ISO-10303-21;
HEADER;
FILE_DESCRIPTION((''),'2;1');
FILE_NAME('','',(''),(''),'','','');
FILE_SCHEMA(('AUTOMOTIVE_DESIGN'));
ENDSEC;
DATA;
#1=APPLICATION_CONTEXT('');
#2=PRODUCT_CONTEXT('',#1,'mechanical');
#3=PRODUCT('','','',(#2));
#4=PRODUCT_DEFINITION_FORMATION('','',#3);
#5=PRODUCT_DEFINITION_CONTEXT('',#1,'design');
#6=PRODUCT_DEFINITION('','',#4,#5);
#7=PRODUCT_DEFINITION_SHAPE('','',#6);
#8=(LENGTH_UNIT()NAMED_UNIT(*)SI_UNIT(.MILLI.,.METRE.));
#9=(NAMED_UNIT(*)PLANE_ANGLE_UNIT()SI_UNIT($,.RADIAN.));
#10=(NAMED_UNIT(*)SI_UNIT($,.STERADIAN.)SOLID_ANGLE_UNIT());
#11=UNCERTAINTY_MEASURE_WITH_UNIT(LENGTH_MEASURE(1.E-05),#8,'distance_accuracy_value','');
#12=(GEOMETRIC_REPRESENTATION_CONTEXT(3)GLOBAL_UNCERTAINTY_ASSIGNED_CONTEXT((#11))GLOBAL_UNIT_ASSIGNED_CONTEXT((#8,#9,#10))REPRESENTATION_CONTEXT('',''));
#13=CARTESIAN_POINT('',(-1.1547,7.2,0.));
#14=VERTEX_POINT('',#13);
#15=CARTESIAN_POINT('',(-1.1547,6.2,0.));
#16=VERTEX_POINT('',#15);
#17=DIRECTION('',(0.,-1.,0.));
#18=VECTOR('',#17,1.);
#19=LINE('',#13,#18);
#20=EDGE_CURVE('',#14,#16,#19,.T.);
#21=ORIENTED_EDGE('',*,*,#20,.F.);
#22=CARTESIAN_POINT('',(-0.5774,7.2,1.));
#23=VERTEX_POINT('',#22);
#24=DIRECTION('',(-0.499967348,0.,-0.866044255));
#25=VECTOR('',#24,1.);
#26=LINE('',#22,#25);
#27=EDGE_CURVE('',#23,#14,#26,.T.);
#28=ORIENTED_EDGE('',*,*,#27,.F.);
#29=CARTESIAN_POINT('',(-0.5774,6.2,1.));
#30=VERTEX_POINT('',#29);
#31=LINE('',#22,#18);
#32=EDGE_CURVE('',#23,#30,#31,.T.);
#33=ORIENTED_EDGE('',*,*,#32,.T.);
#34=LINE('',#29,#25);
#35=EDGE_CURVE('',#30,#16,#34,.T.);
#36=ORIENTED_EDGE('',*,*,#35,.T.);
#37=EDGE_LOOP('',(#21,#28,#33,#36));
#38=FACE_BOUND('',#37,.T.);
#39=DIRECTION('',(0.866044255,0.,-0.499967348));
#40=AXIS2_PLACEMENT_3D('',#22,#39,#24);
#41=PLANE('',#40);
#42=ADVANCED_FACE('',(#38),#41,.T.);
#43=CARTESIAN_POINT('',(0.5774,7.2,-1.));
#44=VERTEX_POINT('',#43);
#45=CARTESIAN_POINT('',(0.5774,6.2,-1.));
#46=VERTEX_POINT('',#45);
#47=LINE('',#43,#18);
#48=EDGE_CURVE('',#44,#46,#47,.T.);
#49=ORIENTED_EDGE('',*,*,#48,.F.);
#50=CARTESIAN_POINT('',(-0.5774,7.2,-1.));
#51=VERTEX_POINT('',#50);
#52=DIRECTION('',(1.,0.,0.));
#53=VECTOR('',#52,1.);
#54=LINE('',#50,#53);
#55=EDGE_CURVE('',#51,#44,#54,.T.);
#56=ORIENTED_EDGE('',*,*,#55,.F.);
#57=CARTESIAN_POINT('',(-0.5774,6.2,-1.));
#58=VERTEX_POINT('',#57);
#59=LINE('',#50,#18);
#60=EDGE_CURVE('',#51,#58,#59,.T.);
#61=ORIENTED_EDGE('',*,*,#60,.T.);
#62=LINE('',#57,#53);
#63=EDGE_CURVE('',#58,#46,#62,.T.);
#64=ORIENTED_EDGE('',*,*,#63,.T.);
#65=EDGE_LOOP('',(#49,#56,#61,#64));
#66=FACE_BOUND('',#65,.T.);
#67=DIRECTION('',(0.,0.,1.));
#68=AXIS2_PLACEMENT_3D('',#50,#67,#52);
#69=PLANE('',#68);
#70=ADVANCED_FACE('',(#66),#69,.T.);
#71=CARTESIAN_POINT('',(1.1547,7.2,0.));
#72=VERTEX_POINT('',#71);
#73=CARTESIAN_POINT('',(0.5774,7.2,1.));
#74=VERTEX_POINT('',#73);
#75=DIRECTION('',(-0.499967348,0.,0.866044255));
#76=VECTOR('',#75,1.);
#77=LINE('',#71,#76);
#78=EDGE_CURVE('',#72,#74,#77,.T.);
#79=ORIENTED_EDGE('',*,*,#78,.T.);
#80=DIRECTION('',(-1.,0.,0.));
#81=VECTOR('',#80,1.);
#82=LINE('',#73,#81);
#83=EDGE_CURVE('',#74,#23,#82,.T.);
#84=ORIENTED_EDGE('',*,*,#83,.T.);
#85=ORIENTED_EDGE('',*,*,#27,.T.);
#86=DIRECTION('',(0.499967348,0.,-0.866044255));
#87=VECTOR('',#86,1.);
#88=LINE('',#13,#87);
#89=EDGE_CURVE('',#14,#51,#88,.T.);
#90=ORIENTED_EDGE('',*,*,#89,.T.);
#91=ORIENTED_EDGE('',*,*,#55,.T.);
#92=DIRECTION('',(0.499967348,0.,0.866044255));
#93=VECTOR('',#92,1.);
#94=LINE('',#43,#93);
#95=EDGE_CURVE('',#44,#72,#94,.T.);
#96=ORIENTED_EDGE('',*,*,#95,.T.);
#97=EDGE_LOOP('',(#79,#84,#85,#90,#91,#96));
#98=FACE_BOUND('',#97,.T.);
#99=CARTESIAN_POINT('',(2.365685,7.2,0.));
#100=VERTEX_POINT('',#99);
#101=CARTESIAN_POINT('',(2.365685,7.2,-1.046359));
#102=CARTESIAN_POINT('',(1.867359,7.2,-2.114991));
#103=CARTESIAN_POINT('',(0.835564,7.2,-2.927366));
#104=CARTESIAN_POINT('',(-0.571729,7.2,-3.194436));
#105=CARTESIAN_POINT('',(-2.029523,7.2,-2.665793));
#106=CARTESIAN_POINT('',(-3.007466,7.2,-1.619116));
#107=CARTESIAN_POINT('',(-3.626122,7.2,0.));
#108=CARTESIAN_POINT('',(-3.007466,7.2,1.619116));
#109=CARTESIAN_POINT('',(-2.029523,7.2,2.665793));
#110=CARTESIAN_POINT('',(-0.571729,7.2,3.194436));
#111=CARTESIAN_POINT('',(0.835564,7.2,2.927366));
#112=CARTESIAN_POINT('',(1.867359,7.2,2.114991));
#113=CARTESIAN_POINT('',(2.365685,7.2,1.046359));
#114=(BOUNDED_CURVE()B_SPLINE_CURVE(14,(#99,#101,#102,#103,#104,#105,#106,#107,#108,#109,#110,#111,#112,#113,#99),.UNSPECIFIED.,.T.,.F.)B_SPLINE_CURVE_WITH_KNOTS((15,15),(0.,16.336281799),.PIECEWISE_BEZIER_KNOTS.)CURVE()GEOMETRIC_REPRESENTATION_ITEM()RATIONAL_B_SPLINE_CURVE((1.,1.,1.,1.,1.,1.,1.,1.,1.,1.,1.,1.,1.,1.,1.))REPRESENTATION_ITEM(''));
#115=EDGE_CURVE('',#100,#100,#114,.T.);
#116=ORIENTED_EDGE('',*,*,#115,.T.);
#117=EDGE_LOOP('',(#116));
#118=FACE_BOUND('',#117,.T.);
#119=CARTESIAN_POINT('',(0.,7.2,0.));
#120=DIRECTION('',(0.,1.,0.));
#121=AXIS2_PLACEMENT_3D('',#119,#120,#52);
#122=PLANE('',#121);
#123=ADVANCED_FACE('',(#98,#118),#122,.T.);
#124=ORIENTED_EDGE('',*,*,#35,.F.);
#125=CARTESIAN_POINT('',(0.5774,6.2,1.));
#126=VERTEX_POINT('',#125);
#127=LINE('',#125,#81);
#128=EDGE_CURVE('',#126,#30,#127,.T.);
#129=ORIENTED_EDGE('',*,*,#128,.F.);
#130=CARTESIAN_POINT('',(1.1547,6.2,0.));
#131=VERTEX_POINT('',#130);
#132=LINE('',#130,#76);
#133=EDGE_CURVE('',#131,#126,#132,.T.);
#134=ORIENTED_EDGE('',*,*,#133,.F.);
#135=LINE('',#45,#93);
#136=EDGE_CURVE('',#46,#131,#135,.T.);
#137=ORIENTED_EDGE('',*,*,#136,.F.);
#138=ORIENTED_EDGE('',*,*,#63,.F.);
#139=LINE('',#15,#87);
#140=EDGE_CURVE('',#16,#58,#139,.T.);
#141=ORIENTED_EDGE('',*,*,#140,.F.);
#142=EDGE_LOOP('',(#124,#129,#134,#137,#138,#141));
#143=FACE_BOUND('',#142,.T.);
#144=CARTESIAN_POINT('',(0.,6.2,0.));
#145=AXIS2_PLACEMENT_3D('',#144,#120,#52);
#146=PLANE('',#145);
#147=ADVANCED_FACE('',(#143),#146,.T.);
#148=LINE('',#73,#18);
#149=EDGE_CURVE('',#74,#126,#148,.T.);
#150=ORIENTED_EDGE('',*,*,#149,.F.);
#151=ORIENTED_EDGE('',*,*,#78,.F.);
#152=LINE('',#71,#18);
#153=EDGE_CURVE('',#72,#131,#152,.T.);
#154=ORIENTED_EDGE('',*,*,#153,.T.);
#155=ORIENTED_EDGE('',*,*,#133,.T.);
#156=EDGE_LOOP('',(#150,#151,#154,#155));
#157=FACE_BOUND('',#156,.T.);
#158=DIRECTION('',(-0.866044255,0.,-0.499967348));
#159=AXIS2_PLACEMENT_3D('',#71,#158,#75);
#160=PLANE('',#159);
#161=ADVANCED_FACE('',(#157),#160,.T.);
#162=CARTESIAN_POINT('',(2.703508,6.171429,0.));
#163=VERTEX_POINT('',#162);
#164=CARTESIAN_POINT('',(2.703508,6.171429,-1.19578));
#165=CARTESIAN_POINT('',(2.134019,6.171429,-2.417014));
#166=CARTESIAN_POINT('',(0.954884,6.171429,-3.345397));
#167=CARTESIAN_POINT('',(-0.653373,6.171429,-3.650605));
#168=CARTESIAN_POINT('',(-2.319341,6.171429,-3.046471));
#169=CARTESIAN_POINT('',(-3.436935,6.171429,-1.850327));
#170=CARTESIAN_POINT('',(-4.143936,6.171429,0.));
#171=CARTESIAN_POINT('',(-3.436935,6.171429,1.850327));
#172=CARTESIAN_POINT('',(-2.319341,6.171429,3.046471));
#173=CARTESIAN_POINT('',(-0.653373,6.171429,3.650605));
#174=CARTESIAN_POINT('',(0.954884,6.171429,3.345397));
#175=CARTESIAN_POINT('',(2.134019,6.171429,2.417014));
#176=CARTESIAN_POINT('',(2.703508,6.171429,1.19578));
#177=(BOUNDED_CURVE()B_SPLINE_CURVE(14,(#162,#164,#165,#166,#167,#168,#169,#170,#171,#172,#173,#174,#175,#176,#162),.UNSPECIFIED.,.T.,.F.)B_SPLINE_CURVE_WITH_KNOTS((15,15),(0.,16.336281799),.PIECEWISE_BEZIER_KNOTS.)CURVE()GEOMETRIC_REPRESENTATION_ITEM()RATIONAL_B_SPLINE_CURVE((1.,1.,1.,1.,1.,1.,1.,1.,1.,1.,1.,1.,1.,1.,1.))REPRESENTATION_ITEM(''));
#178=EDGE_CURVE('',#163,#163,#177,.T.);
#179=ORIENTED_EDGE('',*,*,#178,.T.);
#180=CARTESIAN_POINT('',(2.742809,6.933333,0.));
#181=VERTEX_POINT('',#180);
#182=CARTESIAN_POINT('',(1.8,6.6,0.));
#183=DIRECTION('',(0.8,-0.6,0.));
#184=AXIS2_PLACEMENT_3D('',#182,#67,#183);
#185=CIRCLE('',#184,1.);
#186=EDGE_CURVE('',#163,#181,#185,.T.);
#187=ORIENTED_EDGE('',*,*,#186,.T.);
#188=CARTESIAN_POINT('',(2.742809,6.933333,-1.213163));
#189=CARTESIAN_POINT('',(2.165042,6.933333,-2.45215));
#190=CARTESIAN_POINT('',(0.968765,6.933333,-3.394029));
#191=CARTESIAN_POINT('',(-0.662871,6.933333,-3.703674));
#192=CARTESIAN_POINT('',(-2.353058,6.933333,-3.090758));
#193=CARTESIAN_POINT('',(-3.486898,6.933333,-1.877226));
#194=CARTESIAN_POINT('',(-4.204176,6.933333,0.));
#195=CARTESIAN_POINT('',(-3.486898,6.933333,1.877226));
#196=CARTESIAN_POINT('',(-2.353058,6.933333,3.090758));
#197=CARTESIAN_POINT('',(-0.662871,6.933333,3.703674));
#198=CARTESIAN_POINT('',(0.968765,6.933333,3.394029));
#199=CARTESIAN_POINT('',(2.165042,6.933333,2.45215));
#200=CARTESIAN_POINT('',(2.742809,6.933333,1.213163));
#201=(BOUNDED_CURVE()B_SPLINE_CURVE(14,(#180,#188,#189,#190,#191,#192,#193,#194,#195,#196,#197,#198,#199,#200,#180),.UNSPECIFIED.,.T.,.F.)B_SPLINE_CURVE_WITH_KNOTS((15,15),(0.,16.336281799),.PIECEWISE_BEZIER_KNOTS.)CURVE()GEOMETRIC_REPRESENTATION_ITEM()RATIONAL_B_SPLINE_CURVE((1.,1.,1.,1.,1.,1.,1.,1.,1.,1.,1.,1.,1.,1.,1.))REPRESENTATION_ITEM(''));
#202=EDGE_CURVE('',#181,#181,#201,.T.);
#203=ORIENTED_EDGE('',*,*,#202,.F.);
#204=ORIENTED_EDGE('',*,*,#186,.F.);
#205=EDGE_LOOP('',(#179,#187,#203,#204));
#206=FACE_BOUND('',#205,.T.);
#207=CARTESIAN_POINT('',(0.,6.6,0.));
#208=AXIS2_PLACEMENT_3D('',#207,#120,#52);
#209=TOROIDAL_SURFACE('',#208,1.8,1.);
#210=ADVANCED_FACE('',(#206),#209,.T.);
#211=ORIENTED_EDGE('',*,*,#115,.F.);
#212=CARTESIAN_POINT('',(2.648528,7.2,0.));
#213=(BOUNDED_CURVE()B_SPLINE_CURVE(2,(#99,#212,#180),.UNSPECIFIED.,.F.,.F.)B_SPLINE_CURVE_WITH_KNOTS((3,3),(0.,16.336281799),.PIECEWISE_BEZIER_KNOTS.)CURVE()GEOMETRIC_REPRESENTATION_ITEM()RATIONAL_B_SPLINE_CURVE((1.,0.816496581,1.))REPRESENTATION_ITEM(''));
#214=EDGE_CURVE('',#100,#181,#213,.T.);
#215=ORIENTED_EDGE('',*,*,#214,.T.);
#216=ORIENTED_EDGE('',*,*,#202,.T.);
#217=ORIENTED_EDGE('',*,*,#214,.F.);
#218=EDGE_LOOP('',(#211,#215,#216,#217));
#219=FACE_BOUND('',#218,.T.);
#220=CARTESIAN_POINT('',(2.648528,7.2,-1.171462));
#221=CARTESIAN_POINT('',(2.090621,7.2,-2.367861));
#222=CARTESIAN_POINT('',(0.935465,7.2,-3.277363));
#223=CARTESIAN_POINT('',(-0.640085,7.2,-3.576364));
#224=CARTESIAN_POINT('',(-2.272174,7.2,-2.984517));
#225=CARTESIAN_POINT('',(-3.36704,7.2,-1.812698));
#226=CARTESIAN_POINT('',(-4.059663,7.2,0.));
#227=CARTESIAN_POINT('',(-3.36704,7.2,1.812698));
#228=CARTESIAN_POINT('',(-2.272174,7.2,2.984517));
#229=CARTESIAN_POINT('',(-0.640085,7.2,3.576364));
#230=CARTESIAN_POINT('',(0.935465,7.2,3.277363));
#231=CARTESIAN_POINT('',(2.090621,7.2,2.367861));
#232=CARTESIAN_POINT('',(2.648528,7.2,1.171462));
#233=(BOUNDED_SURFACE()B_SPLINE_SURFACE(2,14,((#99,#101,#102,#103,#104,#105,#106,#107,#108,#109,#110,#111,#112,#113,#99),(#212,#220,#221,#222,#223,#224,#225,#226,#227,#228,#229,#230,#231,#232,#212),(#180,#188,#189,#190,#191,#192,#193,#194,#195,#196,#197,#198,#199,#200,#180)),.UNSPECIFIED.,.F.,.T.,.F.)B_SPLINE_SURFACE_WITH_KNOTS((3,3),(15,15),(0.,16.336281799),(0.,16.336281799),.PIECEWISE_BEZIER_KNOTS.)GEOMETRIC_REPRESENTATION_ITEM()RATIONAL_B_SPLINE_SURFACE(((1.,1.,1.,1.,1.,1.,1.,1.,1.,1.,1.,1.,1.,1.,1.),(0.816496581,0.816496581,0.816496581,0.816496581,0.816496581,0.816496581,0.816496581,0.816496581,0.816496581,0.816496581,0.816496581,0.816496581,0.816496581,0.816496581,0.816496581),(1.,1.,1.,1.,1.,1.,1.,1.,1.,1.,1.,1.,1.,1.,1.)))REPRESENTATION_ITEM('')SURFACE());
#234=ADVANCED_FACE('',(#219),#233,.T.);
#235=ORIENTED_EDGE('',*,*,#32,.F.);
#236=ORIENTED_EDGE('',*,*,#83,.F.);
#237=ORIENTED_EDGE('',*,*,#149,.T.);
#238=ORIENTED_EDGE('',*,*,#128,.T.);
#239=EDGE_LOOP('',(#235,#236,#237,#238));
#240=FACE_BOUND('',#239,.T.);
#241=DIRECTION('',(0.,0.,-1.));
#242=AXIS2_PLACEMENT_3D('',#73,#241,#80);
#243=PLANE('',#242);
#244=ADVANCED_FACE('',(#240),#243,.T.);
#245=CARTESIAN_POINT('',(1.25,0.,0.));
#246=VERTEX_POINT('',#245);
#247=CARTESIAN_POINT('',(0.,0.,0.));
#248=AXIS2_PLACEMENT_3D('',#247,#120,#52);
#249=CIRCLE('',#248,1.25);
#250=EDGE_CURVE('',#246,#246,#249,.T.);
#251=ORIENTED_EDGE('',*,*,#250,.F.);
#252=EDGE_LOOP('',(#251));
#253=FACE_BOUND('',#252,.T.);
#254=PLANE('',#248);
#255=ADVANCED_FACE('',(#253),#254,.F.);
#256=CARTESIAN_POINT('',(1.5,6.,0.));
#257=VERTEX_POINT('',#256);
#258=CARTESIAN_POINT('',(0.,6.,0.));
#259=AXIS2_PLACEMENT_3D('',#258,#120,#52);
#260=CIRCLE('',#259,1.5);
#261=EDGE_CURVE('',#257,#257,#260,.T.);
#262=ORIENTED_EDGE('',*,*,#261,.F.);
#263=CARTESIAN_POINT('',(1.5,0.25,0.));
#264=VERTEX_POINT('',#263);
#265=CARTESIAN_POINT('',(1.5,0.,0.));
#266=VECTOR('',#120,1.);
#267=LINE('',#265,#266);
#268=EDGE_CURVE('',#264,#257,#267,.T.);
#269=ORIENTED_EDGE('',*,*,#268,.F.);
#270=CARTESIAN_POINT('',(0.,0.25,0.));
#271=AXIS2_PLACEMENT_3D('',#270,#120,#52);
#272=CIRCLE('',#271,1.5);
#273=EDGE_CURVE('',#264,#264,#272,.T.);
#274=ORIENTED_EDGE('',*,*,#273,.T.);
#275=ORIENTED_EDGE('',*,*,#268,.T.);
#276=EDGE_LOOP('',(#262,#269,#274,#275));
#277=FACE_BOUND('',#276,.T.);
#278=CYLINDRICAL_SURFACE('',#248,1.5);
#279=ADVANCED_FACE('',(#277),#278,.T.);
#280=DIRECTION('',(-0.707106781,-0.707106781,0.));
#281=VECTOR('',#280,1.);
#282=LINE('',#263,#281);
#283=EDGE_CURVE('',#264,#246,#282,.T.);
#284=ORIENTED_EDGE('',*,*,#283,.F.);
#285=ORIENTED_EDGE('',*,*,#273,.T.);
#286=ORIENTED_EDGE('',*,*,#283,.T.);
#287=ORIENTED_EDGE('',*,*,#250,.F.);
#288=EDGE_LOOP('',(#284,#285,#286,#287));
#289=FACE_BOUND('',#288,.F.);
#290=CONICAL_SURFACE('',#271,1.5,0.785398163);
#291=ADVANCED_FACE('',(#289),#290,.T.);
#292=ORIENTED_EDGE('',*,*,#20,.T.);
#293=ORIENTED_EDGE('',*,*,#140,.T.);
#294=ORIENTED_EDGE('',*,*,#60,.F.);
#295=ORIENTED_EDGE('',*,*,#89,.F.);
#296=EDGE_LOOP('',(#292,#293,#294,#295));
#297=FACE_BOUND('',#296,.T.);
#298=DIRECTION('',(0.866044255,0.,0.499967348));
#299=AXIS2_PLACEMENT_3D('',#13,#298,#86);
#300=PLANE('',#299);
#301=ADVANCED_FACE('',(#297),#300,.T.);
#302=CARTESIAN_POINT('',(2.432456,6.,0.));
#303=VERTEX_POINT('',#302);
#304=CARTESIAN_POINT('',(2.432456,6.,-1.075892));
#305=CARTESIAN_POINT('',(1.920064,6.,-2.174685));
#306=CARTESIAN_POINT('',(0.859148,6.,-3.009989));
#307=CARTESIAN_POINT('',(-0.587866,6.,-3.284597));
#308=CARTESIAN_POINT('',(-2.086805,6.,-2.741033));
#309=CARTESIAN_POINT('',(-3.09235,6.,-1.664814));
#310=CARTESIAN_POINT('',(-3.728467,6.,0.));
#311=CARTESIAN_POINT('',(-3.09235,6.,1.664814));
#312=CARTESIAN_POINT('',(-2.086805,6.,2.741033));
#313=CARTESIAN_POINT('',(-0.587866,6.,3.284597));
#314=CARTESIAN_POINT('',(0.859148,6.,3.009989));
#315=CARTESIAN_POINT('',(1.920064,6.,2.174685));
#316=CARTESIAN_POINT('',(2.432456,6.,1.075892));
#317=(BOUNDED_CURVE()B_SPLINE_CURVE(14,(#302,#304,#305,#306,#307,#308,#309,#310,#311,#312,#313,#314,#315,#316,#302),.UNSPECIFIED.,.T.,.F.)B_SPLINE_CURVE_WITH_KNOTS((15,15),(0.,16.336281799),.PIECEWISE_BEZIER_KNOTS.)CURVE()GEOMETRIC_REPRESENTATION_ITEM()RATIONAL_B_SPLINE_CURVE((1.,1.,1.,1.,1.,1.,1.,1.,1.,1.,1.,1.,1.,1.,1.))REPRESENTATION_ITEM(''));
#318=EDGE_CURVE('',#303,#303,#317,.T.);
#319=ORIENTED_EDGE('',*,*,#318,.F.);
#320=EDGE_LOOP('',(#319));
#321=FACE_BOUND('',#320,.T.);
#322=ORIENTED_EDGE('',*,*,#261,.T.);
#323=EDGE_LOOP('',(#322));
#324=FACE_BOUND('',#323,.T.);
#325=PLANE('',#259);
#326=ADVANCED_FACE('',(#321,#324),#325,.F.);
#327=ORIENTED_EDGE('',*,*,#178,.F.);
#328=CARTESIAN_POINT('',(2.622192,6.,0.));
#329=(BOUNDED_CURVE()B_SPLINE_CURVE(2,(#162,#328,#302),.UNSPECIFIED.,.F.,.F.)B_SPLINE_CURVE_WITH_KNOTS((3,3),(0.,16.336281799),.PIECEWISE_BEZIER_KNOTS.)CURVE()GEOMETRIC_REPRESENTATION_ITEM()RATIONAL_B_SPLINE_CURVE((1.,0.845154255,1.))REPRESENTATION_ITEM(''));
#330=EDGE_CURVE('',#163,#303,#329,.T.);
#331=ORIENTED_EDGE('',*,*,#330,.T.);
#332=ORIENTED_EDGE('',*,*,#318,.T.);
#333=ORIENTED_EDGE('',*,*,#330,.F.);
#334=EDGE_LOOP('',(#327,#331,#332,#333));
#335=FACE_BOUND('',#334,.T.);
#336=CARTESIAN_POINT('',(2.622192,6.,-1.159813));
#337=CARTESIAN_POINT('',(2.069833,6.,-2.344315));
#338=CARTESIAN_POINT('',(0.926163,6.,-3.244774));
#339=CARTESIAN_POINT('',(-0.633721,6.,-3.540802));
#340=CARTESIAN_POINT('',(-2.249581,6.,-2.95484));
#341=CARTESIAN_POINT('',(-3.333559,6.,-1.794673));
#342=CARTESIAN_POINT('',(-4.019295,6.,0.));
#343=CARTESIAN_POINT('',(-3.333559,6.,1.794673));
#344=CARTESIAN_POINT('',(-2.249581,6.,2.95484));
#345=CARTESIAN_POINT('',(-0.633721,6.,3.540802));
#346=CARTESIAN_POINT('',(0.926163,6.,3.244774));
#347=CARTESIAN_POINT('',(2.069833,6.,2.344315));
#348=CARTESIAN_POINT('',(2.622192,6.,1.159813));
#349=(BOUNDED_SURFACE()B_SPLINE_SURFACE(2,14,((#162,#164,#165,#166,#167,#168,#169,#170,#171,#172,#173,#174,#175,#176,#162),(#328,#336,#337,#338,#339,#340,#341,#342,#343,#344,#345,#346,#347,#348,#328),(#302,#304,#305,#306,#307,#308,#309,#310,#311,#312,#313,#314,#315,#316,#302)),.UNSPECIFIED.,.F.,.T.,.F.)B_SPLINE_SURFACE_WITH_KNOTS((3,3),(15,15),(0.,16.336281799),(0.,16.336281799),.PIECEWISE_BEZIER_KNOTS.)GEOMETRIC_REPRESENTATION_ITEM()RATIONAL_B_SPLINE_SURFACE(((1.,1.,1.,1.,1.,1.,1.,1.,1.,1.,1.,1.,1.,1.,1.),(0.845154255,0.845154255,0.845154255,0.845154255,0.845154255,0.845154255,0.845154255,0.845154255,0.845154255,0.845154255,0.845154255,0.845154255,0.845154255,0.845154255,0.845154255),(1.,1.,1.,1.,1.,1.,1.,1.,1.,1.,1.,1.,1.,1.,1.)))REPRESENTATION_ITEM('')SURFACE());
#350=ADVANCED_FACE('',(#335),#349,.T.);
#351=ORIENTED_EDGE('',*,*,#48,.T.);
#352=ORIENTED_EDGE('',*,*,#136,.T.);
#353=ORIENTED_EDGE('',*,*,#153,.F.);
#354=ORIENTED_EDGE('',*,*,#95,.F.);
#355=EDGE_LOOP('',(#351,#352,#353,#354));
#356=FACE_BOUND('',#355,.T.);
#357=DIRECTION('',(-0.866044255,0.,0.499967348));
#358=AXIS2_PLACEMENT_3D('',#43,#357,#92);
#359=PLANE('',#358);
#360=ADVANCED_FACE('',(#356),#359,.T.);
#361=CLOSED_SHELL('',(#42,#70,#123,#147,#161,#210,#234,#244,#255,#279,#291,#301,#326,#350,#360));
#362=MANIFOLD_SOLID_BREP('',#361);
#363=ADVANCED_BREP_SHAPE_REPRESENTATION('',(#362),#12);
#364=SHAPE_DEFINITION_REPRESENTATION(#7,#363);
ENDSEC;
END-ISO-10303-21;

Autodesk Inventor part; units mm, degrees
ref_plane "YZ Plane" through (0, 0, 0) normal (1, 0, 0) x (0, 1, 0)
ref_plane "XZ Plane" through (0, 0, 0) normal (0, 1, 0) x (-1, 0, 0)
ref_plane "XY Plane" through (0, 0, 0) normal (0, 0, 1) x (1, 0, 0)
sketch "スケッチ1" plane through (0, 0, 0) normal (0, 0, 1) x (1, 0, 0)
  line L0 (0, 0) -> (1.5, 0)
  line L1 (1.5, 0) -> (1.5, 6)
  line L2 (1.5, 6) -> (2.6, 6)
  line L3 (2.6, 6) -> (2.6, 7.2) construction
  line L4 (2.6, 7.2) -> (0, 7.2)
  line L5 (0, 7.2) -> (0, 0)
  line L6 (0, -5.542) -> (0, 0) construction
  arc A0 (2.6, 6) -> (2.6, 7.2) centre (1.8, 6.6) ccw
  line L7 (2.8, 9.0711) -> (2.8, 6.853) construction
  dimension "d0" = 3
  dimension "d1" = 6
  dimension "d2" = 5.2
  dimension "d3" = 1.2
  dimension "d13" = 5.6
revolve "回転1" add sketch "スケッチ1" angle 360 about axis through (0, -5.542, 0) along (0, 1, 0)
sketch "スケッチ2" plane through (0, 7.2, 0) normal (0, 1, 0) x (1, 0, 0)
  line L0 (1.1547, 0) -> (0.5774, -1)
  line L1 (0.5774, -1) -> (-0.5774, -1)
  line L2 (-0.5774, -1) -> (-1.1547, 0)
  line L3 (-1.1547, 0) -> (-0.5774, 1)
  line L4 (-0.5774, 1) -> (0.5774, 1)
  line L5 (0.5774, 1) -> (1.1547, 0)
  line L6 (1.1547, 0) -> (-1.1547, 0) construction
  point P0 (0, 0)
  point P1 (0, 0)
  dimension "d5" = 2
extrude "押し出し1" cut sketch "スケッチ2" against normal blind 1
fillet "フィレット1" radius 0.4 1 edges at (-2.6, 7.2, 0)
fillet "フィレット1" radius 0.3 1 edges at (-2.6, 6, 0)
chamfer "面取り1" distance 0.25 angle 45 1 edges at (-1.5, 0, 0)
properties part number "10_051_LOW_HEAD_CAP_BOLT_M3X6_R1"
